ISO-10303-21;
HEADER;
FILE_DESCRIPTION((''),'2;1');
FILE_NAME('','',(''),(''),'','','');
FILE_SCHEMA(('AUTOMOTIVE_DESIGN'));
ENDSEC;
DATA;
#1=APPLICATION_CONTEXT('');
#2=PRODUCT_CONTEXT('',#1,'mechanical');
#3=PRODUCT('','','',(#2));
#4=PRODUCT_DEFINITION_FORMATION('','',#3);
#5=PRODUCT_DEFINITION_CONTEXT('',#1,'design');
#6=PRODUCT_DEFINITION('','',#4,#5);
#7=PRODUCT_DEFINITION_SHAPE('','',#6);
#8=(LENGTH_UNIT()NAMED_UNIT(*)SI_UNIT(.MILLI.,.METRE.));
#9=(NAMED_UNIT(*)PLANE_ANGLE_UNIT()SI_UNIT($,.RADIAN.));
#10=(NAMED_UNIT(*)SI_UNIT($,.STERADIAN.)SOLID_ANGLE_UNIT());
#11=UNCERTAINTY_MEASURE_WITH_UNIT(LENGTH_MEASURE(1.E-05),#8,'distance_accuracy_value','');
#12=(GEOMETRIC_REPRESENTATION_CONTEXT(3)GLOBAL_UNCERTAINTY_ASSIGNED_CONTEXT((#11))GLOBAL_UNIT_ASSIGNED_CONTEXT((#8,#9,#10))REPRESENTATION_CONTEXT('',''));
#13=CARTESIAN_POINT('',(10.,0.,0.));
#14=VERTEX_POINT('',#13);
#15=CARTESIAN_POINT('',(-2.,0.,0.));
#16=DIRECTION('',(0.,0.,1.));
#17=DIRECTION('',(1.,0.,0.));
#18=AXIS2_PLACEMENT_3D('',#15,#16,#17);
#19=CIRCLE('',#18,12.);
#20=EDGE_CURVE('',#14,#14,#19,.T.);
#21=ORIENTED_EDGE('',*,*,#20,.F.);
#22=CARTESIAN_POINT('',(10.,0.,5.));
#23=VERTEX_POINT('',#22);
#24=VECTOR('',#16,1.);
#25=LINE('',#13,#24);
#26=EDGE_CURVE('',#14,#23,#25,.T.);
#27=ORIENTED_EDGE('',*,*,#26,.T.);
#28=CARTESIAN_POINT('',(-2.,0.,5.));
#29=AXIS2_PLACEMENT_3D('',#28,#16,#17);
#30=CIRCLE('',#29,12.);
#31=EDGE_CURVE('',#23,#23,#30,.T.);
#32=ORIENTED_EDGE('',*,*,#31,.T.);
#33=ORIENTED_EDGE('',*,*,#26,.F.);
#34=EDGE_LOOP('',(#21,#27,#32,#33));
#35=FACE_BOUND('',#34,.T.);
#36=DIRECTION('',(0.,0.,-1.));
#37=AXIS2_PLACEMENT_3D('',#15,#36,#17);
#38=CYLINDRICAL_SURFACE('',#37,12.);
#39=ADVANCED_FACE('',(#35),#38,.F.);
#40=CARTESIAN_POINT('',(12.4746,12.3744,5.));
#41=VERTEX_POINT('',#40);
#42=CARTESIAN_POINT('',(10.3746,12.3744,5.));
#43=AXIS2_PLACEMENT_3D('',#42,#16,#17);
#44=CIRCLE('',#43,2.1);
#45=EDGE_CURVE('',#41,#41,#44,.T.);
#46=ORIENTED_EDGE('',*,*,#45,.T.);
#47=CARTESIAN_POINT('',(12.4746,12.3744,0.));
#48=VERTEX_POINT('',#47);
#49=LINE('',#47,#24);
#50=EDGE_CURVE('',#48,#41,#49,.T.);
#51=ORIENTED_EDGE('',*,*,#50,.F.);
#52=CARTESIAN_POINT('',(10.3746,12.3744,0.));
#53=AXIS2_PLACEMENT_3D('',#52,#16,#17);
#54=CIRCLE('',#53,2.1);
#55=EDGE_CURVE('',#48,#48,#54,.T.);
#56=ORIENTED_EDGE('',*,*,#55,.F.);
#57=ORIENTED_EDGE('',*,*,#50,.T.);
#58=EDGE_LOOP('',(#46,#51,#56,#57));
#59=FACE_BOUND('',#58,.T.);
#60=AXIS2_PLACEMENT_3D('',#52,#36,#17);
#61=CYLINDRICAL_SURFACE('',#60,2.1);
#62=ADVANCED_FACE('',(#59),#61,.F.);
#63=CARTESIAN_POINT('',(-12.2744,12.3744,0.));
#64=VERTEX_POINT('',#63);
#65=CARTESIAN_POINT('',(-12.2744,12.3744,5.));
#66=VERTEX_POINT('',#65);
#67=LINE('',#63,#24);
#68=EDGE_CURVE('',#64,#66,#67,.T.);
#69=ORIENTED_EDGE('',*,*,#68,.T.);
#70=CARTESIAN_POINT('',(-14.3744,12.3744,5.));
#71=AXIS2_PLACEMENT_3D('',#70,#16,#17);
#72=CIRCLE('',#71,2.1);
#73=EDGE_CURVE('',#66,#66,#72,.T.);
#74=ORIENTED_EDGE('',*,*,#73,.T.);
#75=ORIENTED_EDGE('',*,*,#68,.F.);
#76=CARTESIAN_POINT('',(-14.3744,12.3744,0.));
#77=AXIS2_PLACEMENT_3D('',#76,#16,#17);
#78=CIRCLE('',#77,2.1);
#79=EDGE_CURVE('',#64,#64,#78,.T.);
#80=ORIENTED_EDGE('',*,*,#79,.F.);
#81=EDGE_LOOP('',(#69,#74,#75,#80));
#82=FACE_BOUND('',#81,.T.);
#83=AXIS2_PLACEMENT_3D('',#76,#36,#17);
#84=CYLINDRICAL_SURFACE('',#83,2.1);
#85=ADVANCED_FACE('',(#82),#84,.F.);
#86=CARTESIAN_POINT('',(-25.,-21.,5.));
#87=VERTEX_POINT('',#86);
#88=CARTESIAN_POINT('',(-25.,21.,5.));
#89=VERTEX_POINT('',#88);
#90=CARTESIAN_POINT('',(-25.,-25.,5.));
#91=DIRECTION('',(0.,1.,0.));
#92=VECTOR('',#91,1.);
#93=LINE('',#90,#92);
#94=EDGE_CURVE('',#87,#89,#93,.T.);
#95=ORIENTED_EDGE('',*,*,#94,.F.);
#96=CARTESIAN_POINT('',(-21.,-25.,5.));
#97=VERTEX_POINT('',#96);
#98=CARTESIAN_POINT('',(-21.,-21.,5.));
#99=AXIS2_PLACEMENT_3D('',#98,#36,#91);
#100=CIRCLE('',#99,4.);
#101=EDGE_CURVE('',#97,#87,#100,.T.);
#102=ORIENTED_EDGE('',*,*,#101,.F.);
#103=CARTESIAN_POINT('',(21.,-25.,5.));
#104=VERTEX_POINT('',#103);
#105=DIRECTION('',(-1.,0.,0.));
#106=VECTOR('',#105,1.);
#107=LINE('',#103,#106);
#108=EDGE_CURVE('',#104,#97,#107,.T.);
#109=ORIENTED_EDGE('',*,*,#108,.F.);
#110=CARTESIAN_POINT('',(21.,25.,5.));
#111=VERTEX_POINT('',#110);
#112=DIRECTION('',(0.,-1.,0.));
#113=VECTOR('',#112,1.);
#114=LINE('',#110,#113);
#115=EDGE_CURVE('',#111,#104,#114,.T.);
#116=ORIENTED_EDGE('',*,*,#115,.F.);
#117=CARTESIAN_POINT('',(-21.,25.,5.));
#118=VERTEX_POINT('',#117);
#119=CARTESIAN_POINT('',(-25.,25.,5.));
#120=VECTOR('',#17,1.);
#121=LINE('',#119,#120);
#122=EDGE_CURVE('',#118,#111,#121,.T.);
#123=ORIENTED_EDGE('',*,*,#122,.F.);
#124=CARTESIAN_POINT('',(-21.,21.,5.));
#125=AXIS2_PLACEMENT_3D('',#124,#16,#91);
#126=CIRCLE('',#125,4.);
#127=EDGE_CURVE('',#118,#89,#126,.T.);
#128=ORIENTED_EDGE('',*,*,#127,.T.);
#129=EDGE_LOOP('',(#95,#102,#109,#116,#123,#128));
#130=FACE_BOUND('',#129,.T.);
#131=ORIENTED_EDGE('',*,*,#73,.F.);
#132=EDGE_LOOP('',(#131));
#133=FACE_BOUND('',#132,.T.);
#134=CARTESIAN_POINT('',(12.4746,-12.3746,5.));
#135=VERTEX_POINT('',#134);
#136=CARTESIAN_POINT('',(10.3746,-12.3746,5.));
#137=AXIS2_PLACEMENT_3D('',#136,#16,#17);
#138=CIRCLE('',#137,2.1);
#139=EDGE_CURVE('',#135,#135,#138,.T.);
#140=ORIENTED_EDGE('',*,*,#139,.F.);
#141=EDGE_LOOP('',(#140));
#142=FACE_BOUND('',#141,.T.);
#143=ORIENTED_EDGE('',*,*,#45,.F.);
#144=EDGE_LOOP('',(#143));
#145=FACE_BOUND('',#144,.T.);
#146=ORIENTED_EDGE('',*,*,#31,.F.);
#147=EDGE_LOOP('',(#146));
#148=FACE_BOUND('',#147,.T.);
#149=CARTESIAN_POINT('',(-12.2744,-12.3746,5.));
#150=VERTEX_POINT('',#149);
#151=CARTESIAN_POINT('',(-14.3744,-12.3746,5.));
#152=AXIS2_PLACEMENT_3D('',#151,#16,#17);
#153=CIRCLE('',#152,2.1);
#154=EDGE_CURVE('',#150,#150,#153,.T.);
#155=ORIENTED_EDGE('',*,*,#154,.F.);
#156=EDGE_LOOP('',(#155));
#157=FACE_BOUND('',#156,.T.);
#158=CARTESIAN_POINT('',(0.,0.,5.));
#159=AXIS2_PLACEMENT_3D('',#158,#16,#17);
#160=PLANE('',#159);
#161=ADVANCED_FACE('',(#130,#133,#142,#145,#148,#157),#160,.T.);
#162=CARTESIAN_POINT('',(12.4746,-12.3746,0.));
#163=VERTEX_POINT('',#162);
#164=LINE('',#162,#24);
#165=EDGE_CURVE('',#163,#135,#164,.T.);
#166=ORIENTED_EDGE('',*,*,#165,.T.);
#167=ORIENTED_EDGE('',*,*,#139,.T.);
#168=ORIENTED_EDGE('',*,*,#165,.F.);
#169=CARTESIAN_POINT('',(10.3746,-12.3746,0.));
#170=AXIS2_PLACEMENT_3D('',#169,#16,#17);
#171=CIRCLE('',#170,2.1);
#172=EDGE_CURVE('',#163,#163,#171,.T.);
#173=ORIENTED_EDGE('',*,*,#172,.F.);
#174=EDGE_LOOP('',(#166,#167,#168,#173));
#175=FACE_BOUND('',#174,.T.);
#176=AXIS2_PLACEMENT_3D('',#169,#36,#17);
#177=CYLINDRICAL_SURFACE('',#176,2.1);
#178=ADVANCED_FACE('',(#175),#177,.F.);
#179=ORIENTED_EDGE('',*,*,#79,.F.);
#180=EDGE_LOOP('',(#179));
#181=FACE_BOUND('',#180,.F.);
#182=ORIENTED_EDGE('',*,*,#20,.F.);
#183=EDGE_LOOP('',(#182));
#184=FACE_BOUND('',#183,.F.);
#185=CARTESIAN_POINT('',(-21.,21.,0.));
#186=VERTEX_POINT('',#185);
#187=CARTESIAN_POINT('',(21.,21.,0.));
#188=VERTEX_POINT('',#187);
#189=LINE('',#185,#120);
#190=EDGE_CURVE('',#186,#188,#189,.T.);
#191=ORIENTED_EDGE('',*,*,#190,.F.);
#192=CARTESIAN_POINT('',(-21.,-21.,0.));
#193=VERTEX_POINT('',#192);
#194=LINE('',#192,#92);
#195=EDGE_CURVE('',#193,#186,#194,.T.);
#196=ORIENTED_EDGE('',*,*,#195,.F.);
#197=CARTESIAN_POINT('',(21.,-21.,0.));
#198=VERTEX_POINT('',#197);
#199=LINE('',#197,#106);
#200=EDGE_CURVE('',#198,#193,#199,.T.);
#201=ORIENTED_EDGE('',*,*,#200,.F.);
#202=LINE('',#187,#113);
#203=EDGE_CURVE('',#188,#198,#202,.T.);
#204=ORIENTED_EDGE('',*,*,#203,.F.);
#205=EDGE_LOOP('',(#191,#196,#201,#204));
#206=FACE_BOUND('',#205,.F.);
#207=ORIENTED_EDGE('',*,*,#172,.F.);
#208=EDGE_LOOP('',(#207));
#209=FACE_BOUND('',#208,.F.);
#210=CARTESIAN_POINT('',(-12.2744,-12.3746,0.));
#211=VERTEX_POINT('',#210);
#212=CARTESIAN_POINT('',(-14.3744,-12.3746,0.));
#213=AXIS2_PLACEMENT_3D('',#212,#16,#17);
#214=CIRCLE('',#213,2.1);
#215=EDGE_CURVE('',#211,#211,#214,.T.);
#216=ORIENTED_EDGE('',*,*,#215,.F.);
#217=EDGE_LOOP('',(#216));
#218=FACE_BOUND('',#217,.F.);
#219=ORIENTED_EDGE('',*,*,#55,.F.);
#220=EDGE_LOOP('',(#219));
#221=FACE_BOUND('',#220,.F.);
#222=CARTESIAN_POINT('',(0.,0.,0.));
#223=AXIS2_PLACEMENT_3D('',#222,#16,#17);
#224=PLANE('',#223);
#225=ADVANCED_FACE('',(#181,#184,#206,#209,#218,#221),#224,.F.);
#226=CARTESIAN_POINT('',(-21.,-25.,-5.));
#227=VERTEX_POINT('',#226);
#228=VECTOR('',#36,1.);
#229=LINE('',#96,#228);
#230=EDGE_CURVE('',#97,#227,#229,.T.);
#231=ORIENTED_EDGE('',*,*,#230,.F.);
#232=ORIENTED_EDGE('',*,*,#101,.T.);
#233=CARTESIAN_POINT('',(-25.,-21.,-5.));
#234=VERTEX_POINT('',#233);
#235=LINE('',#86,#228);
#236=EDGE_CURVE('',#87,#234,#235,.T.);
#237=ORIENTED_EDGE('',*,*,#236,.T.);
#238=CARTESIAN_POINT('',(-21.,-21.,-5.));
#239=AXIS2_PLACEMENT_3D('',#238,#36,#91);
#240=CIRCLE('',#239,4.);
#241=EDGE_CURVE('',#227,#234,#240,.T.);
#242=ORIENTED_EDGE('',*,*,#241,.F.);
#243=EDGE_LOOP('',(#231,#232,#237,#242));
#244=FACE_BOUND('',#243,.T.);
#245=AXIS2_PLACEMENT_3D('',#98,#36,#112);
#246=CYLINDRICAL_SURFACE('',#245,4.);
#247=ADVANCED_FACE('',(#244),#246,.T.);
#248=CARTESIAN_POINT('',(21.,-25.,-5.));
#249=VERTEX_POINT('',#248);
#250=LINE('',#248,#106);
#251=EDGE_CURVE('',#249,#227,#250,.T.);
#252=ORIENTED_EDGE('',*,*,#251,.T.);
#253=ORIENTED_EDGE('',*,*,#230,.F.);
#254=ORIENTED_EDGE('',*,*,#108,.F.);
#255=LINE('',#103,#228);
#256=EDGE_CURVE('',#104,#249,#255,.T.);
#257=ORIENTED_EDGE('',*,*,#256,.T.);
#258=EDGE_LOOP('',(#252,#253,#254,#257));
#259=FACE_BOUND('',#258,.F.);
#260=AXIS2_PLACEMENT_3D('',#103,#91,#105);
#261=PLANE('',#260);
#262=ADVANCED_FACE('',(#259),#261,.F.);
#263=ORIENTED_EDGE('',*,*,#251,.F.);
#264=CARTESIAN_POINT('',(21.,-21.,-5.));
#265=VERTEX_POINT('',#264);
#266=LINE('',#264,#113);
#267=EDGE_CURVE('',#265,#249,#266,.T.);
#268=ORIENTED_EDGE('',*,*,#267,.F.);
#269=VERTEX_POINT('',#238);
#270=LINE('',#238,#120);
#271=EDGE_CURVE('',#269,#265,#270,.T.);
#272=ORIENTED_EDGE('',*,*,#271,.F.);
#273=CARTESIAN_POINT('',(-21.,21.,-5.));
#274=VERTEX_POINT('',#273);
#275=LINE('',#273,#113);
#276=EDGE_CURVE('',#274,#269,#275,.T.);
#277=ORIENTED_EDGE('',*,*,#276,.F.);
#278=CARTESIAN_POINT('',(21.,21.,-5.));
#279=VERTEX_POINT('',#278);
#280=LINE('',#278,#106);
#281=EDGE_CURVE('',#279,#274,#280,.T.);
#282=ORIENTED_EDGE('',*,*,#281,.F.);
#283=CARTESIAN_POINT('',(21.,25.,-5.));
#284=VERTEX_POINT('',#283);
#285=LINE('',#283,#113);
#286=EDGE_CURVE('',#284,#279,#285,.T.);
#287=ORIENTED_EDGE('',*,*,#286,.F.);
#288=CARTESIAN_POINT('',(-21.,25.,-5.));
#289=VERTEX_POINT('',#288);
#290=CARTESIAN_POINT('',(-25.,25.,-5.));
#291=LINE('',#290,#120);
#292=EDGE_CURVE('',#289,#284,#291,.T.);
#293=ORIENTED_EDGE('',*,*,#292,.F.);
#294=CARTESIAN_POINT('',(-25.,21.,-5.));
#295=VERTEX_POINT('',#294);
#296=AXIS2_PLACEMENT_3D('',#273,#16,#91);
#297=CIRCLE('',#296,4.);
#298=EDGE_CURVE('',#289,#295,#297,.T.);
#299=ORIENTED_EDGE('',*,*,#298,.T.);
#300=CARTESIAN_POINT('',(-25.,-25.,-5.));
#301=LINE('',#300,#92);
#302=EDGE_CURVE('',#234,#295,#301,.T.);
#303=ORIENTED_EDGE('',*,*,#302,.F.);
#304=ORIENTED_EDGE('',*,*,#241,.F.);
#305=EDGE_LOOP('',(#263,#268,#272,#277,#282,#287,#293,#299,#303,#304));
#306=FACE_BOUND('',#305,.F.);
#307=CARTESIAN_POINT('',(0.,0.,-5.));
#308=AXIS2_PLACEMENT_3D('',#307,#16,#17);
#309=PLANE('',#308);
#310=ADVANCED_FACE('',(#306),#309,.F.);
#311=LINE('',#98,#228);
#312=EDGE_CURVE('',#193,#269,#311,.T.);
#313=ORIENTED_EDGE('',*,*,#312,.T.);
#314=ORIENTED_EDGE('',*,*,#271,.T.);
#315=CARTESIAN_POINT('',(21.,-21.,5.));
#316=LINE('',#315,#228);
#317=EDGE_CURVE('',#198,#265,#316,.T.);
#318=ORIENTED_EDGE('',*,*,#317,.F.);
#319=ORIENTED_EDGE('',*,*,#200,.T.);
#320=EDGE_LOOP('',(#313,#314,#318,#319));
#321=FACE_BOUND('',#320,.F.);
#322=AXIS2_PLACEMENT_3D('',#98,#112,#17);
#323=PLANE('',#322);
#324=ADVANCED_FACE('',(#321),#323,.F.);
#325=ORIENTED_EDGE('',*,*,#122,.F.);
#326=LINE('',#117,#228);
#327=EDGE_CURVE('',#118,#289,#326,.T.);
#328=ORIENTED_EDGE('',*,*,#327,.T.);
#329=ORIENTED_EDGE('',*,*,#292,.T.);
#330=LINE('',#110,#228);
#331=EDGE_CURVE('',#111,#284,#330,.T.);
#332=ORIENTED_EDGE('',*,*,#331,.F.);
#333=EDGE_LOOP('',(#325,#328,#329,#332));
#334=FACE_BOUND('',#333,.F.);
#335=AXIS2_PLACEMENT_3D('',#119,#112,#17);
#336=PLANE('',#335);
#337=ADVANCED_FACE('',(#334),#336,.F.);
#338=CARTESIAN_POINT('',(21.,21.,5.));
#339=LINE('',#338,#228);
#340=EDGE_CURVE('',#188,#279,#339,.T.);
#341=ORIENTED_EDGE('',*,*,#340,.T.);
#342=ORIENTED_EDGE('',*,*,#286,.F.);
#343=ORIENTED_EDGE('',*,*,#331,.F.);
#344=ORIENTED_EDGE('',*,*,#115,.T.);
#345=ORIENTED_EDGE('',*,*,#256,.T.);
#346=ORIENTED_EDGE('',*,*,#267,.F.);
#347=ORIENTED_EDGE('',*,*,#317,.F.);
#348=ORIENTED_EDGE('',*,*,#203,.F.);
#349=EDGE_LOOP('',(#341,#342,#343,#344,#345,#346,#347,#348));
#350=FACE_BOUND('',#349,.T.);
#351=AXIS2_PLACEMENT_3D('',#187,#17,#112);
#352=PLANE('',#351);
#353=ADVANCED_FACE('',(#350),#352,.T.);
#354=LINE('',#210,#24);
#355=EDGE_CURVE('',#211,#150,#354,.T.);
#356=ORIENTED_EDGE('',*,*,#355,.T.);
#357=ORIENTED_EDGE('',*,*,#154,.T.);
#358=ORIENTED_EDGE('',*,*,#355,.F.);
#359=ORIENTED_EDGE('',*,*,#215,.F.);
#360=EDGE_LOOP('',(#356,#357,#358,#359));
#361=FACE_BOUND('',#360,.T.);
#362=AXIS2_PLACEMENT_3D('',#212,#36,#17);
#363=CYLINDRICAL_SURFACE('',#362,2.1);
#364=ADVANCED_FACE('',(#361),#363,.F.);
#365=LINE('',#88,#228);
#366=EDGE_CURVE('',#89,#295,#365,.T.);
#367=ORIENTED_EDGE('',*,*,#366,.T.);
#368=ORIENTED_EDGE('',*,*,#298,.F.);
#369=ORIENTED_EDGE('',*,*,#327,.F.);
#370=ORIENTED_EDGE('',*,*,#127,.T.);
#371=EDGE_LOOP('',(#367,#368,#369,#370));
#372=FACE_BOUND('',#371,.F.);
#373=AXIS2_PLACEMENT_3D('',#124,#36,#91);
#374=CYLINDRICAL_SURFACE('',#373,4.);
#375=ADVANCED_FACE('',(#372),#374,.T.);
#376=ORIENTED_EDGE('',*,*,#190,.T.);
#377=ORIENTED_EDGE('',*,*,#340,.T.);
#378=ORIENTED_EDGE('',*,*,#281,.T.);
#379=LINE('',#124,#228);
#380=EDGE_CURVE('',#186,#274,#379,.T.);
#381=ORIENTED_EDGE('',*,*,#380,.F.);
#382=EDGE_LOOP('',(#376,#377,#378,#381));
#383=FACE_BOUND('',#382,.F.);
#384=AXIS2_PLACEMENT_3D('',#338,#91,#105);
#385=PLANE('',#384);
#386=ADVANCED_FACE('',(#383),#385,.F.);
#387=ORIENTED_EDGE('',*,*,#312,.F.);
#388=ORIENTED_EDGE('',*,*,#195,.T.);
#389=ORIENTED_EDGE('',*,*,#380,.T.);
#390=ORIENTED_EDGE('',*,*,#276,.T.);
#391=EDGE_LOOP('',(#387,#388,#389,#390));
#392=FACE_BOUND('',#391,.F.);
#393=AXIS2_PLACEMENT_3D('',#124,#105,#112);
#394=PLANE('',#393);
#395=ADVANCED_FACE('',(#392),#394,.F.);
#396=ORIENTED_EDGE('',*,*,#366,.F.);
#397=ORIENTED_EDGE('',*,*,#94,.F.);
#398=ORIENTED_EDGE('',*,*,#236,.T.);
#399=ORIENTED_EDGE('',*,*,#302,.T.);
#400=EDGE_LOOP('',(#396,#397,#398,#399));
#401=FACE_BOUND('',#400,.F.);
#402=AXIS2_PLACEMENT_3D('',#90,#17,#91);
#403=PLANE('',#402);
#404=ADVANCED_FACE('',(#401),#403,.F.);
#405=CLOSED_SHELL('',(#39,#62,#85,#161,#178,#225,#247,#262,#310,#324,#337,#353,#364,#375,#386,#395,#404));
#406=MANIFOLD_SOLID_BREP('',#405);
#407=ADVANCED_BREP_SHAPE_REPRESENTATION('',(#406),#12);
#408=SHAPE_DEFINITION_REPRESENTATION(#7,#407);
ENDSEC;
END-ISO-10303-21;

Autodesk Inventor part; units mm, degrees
ref_plane "YZ Plane" through (0, 0, 0) normal (1, 0, 0) x (0, 1, 0)
ref_plane "XZ Plane" through (0, 0, 0) normal (0, 1, 0) x (-1, 0, 0)
ref_plane "XY Plane" through (0, 0, 0) normal (0, 0, 1) x (1, 0, 0)
sketch "Sketch1" plane through (0, 0, 0) normal (0, 0, 1) x (1, 0, 0)
  line L0 (-21, 20) -> (-21, -20) construction
  line L1 (14.2964, 21) -> (-14.2964, 21) construction
  line L2 (21, -20) -> (21, 20) construction
  line L3 (-14.2964, -21) -> (14.2964, -21) construction
  circle A0 centre (-14.3744, 12.3744) radius 1.621 construction
  circle A1 centre (10.3746, 12.3744) radius 1.621 construction
  circle A2 centre (10.3746, -12.3746) radius 1.621 construction
  circle A3 centre (-14.3744, -12.3746) radius 1.621 construction
  line L4 (-21, 21) -> (21, 21)
  line L5 (21, 21) -> (21, -21)
  line L6 (21, -21) -> (-21, -21)
  line L7 (-21, -21) -> (-21, 21)
  circle A4 centre (-14.3744, 12.3744) radius 2.1
  circle A5 centre (10.3746, 12.3744) radius 2.1
  circle A6 centre (10.3746, -12.3746) radius 2.1
  circle A7 centre (-14.3744, -12.3746) radius 2.1
  circle A8 centre (-2, 0) radius 11 construction
  circle A9 centre (-2, 0) radius 12
  point P0 (0, 0)
  dimension "d0" = 4.2
  dimension "d1" = 1
extrude "Extrusion1" add sketch "Sketch1" along normal blind 5
sketch "Sketch2" plane through (0, 0, 5) normal (0, 0, 1) x (1, 0, 0)
  line L0 (-21, -21) -> (21, -21) projected
  line L1 (21, 21) -> (-21, 21) projected
  line L2 (-21, 21) -> (-21, -21) projected
  line L3 (21, -21) -> (21, -25)
  line L4 (21, -25) -> (-25, -25)
  line L5 (-25, -25) -> (-25, 25)
  line L6 (-25, 25) -> (21, 25)
  line L7 (21, 25) -> (21, 21)
  point P0 (0, 0)
  dimension "d4" = 4
  dimension "d5" = 4
  dimension "d6" = 4
extrude "Extrusion2" add sketch "Sketch2" against normal blind 10
fillet "Fillet1" radius 4 2 edges at (-25, -25, 0) (-25, 25, 0)
properties part number "ShoulderEncoderDrillGuide"
